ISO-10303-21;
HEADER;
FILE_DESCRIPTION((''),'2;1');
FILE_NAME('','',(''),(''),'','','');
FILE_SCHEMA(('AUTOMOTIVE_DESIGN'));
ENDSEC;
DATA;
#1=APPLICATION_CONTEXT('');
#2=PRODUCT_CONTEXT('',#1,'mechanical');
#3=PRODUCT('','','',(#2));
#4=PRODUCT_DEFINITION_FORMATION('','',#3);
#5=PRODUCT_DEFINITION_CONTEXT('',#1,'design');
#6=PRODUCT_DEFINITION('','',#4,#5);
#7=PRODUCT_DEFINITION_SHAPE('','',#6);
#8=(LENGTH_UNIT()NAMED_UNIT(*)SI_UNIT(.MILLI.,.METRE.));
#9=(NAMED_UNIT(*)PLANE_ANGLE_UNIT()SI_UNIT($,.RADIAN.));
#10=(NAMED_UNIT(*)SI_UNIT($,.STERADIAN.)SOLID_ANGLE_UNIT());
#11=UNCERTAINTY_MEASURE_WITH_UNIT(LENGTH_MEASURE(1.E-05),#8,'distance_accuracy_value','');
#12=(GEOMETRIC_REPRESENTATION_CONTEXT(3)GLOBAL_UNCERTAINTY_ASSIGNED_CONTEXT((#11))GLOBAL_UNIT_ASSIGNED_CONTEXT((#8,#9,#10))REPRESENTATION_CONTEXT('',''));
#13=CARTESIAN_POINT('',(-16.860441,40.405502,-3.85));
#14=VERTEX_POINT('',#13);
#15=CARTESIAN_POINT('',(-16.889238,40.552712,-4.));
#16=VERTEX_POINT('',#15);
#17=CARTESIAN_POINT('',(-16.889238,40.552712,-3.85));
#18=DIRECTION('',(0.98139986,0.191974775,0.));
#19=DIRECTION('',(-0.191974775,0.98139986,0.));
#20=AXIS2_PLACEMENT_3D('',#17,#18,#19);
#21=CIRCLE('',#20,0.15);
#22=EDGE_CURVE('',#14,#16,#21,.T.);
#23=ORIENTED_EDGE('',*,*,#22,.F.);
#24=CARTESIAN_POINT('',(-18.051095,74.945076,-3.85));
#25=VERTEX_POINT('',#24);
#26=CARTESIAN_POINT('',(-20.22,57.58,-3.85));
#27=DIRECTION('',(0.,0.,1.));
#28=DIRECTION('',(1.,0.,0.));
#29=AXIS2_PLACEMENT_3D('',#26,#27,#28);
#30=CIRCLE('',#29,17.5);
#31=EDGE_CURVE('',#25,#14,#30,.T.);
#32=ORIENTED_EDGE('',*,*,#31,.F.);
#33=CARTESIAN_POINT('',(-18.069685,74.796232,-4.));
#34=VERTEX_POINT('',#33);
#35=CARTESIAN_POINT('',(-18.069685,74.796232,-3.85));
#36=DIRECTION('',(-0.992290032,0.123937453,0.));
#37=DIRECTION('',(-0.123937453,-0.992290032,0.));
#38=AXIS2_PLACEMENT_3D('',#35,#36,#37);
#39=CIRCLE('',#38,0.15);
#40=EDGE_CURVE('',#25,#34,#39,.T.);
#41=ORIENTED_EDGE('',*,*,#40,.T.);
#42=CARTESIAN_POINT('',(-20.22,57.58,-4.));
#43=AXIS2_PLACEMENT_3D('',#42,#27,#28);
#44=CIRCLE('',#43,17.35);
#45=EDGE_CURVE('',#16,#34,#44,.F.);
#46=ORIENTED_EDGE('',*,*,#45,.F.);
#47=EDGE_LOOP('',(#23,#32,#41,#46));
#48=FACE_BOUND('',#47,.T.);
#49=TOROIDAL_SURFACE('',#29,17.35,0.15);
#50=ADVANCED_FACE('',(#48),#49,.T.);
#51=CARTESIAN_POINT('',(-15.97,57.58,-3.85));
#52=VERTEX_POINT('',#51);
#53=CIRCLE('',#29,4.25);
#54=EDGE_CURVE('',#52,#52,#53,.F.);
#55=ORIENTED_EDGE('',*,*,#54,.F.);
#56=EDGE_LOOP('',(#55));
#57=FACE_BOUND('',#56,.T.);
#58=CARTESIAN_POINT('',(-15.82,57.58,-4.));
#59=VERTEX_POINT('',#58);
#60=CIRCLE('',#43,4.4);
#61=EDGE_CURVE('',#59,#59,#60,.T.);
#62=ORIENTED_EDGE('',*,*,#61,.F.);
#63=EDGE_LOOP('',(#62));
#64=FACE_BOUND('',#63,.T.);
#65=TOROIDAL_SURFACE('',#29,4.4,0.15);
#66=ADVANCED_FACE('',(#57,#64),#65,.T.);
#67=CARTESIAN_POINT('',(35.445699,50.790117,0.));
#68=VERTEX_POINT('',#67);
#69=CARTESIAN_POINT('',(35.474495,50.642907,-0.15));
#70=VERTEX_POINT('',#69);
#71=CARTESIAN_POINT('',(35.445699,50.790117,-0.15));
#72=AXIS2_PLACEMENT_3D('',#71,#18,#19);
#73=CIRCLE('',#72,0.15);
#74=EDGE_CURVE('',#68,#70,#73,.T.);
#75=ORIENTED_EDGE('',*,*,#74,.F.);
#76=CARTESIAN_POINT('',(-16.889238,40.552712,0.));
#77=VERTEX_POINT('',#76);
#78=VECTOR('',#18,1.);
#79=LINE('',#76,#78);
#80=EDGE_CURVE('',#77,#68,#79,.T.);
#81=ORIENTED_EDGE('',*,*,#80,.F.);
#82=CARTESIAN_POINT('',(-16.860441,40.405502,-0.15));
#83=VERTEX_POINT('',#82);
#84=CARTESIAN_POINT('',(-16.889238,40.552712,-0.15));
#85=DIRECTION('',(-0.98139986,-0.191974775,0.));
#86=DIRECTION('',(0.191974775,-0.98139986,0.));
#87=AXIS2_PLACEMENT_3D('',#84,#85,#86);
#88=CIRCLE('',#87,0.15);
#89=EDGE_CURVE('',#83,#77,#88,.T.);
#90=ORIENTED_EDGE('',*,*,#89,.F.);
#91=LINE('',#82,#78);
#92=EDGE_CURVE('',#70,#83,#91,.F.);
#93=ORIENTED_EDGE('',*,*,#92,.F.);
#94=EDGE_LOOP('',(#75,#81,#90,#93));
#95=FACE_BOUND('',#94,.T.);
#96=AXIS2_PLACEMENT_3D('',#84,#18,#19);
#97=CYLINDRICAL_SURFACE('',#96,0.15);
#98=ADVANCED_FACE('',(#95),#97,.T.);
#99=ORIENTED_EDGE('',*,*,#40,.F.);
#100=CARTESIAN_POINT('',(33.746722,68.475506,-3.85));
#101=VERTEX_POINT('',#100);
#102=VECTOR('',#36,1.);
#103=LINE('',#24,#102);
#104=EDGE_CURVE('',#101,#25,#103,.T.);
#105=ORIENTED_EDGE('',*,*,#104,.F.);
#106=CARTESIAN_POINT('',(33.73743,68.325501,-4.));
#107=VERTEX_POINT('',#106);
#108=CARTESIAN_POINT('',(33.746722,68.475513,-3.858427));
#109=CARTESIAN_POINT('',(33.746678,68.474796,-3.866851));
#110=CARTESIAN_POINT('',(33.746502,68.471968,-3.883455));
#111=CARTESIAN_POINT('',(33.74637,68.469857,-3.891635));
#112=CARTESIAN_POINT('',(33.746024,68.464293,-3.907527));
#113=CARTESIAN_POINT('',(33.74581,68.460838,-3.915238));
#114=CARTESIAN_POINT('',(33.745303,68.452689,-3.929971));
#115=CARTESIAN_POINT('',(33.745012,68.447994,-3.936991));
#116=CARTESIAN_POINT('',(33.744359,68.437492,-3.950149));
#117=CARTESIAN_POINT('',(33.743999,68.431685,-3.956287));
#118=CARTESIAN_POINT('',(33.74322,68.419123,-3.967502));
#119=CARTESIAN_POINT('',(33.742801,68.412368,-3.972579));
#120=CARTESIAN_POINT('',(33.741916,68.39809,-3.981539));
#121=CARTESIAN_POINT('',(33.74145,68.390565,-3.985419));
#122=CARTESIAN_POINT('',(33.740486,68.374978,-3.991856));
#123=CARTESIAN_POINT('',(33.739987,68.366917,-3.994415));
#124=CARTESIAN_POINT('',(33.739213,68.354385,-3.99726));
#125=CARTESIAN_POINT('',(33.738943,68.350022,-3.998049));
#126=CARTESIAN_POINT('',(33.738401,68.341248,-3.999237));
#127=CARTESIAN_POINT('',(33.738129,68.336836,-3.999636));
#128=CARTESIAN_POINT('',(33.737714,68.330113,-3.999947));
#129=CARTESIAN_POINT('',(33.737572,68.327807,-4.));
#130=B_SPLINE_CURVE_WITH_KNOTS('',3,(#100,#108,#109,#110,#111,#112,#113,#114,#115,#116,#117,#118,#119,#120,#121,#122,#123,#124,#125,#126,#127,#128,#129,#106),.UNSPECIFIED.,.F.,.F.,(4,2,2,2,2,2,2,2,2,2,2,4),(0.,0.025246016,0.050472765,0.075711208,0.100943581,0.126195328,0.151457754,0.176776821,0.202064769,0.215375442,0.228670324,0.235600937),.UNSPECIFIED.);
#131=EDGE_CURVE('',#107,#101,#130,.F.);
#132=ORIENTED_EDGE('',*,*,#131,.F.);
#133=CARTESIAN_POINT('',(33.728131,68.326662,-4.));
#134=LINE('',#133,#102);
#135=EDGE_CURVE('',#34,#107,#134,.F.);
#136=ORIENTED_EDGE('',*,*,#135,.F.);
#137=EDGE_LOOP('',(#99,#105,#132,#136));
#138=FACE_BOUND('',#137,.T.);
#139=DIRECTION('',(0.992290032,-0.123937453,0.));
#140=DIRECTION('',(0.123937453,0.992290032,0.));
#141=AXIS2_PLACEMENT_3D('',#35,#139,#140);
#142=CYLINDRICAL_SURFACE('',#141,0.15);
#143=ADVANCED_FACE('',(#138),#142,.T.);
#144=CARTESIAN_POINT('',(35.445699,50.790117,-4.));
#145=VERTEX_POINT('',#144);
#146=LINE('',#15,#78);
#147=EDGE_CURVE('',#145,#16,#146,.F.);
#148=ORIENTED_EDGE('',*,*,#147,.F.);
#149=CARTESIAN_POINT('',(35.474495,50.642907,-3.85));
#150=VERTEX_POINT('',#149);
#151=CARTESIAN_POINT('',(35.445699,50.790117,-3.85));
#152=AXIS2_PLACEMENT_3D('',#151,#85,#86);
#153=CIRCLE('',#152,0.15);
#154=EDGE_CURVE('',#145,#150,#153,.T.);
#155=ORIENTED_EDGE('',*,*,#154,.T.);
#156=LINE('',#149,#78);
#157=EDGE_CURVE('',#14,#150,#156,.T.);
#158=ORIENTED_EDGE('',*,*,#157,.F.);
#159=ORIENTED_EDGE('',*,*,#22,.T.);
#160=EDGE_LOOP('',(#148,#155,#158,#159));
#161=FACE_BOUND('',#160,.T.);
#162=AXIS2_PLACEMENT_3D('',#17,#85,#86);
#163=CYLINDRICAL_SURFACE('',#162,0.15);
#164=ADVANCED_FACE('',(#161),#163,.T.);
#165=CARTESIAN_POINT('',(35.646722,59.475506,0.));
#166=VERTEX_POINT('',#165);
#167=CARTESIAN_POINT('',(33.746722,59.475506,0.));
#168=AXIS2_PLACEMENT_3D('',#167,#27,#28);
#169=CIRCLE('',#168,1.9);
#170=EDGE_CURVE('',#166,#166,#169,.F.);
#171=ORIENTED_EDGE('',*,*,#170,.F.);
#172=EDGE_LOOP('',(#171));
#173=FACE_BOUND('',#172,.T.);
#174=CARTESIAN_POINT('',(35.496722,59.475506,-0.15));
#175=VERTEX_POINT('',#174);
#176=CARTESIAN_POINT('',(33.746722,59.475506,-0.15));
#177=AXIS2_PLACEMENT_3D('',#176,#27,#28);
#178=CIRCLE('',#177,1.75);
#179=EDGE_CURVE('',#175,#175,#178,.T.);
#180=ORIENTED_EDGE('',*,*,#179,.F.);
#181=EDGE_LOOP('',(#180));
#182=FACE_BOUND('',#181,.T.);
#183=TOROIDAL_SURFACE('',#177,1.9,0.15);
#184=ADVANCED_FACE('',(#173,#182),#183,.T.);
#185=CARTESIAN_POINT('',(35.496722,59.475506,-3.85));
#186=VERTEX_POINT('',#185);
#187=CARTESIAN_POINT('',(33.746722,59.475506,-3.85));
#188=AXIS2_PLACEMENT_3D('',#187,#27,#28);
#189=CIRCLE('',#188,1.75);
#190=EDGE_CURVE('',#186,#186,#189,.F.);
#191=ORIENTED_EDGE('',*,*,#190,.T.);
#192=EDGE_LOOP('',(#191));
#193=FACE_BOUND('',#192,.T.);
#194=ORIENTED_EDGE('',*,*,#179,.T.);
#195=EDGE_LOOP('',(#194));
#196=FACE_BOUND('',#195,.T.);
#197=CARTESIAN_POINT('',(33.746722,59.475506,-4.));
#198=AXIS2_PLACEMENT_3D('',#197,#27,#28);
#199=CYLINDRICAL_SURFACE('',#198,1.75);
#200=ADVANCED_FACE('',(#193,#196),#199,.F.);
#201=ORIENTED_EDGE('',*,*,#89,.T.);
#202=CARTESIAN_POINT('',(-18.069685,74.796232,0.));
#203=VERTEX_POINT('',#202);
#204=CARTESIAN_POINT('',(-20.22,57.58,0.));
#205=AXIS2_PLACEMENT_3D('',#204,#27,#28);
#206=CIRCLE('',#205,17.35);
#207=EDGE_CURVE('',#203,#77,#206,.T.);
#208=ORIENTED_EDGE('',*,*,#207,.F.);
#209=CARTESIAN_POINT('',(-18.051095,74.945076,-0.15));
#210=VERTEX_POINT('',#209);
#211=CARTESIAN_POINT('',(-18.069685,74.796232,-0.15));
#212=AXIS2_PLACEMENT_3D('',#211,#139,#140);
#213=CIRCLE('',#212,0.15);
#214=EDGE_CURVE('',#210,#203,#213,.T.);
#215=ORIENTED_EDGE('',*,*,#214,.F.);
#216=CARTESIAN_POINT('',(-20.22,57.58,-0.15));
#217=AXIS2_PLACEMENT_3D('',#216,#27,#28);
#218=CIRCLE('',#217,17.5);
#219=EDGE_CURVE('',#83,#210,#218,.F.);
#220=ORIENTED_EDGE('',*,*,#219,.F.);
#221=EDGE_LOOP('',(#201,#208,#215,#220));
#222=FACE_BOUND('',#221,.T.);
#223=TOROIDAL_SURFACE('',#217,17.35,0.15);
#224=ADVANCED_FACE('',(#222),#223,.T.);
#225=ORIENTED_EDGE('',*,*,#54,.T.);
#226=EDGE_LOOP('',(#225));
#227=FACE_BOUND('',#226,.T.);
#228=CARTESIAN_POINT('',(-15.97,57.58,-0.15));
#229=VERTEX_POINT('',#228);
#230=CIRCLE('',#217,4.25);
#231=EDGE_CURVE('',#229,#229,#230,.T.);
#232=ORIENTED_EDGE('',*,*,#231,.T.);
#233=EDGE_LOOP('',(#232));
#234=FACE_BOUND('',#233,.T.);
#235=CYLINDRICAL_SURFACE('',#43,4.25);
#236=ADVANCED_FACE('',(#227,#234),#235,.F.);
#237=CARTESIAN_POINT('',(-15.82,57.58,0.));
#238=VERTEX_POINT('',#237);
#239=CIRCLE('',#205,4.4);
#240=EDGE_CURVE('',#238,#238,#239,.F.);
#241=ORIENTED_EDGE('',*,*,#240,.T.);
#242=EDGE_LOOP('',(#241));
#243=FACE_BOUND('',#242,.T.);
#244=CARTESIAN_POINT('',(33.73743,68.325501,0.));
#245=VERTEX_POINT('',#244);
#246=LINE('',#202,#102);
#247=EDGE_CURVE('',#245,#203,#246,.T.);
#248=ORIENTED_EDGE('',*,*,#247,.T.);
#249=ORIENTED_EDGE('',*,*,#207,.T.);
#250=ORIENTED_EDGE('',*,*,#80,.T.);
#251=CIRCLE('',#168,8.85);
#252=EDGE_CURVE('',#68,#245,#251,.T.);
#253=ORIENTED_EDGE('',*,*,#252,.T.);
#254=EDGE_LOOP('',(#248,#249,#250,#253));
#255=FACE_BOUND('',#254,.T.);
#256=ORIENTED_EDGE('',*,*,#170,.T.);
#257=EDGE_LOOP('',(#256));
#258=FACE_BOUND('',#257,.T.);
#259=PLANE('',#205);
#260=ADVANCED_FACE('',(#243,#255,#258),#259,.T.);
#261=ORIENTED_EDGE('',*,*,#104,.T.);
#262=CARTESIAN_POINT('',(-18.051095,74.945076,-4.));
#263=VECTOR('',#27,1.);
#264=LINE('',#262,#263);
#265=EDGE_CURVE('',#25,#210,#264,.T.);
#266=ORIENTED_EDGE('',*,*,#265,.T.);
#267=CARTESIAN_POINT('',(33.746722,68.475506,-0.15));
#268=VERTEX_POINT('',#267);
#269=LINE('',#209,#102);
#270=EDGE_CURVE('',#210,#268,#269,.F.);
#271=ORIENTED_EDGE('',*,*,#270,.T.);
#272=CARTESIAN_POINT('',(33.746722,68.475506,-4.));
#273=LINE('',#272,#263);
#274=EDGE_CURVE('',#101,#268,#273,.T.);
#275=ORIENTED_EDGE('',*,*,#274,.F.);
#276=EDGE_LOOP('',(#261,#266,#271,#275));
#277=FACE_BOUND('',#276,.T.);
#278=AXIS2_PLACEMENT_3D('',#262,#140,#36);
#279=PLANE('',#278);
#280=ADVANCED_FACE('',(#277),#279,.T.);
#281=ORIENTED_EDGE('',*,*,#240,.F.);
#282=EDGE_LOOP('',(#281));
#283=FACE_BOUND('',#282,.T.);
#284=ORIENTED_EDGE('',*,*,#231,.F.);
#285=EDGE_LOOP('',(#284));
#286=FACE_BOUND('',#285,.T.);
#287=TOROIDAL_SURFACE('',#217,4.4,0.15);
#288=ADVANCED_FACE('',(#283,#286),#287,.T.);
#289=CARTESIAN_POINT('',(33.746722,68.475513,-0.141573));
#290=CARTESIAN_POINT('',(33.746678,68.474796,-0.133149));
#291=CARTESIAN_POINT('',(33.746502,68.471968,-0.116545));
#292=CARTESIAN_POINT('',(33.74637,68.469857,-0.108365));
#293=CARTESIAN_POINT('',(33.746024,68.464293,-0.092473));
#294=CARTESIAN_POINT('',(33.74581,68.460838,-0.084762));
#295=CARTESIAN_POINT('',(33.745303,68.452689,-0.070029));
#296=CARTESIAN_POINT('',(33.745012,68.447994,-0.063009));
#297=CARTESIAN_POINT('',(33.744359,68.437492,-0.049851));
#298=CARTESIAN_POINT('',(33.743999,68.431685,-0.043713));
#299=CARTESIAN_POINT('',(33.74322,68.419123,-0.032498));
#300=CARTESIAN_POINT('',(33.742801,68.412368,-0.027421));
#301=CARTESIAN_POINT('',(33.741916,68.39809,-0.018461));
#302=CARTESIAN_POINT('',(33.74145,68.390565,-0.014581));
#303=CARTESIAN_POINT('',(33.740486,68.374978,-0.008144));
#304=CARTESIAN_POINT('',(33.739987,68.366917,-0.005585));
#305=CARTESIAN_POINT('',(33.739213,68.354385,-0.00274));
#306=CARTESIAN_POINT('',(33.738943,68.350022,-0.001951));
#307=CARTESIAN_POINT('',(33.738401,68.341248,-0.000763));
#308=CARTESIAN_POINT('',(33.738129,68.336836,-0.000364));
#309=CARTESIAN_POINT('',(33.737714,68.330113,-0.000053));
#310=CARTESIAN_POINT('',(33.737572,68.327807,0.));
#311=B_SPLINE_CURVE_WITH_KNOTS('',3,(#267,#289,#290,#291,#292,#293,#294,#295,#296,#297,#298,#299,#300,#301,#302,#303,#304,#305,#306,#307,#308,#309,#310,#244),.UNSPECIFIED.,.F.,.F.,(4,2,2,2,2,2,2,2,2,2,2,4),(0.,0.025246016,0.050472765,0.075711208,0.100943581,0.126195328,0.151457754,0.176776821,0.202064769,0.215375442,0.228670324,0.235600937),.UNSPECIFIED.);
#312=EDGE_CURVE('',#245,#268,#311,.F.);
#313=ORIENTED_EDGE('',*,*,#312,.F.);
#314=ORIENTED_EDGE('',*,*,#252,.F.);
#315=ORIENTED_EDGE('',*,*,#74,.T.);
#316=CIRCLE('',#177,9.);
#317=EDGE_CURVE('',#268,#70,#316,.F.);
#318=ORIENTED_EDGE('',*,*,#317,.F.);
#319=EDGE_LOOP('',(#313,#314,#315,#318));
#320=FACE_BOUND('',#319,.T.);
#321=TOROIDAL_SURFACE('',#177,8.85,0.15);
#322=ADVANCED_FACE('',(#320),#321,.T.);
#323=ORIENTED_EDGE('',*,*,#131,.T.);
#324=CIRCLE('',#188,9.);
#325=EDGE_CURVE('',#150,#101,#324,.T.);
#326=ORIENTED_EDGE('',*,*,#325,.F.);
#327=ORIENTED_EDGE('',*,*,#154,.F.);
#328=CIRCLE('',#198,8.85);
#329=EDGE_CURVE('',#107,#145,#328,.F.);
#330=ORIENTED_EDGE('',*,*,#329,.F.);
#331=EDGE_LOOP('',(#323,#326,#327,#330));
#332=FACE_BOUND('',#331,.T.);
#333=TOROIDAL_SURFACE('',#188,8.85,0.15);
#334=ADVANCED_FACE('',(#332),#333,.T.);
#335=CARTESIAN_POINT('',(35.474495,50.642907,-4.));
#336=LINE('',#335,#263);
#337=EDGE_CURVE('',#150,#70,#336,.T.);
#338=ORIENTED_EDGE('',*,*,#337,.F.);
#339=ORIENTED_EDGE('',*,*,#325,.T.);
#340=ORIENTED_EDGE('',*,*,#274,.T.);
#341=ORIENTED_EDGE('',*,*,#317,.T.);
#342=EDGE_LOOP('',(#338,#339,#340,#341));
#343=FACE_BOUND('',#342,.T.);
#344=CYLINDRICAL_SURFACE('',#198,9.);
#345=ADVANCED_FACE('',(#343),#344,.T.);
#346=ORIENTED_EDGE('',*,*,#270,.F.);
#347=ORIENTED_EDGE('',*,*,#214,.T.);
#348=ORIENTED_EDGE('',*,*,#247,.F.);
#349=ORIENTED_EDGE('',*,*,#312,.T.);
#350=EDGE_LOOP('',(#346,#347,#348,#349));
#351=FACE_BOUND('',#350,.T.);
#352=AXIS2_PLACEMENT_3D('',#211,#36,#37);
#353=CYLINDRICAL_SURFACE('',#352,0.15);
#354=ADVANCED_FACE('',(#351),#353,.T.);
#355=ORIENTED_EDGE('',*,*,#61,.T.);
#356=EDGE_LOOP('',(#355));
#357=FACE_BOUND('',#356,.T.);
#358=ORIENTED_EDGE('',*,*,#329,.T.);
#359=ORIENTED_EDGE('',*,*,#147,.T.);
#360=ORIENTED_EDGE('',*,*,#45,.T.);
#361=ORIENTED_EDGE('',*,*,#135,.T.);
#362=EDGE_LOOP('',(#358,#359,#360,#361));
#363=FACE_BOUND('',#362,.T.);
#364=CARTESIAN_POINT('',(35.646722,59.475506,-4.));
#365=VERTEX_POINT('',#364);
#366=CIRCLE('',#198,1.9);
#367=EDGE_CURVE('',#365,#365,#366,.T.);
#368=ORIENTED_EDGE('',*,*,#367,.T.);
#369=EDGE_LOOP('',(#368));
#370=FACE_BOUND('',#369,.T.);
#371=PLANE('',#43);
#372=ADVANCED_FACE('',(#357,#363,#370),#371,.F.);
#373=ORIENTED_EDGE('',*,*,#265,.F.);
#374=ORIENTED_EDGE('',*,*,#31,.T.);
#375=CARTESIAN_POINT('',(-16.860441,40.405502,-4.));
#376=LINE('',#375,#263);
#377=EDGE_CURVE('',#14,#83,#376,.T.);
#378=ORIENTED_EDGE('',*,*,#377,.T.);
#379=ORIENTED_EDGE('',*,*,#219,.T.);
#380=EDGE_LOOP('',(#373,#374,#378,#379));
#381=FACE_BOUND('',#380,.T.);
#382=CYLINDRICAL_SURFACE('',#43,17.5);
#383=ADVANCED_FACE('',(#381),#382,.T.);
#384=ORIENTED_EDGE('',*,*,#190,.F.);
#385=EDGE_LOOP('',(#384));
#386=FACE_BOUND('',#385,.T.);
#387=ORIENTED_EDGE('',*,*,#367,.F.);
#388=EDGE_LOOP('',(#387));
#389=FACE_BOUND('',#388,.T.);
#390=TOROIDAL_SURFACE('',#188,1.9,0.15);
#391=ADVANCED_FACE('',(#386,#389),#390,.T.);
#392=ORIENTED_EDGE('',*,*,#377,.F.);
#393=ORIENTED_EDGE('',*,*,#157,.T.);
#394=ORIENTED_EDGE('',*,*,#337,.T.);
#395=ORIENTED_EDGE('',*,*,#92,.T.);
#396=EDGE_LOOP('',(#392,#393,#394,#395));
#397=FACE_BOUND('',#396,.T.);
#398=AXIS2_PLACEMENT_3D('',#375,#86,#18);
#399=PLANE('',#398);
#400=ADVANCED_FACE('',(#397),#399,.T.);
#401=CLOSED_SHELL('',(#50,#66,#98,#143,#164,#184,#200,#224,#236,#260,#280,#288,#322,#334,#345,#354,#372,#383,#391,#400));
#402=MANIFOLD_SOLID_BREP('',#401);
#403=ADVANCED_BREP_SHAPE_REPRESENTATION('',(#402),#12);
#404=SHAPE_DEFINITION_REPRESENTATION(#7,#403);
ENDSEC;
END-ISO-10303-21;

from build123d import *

# Parameters (mm, degrees)
SKETCH_2_R      = 4.25
SKETCH_2_R_2    = 1.75
EXTRUDE_1_DEPTH = 4
FILLET_1_R      = 0.15


with BuildPart() as part:
    # 草图2 → 凸台-拉伸1 (new body)
    with BuildSketch(Plane.XY):
        with BuildLine():
            Line((-18.051094567, 74.945075561), (33.746721757, 68.475505945))
            ThreePointArc((33.746721757, 68.475505945), (42.704773685, 60.343437773), (35.474494733, 50.642907202))
            Line((35.474494733, 50.642907202), (-16.860441437, 40.405502445))
            ThreePointArc((-16.860441437, 40.405502445), (-37.709611382, 56.977095602), (-18.051094567, 74.945075561))
        make_face()
        with Locations((-20.22, 57.58)):
            Circle(SKETCH_2_R, mode=Mode.SUBTRACT)
        with Locations((33.746721757, 59.475505945)):
            Circle(SKETCH_2_R_2, mode=Mode.SUBTRACT)
    extrude(amount=-EXTRUDE_1_DEPTH)

    # 圆角1
    fillet_1_edges = [part.edges().sort_by_distance(p)[0] for p in [
        (-24.47, 57.58, -4),
        (-24.47, 57.58, 0),
        (42.704773685, 60.343437773, -4),
        (31.996721757, 59.475505945, -4),
        (31.996721757, 59.475505945, 0),
        (7.847813595, 71.710290753, -4),
        (-37.709611382, 56.977095602, -4),
        (7.847813595, 71.710290753, 0),
        (42.704773685, 60.343437773, 0),
        (9.307026648, 45.524204824, 0),
        (-37.709611382, 56.977095602, 0),
        (9.307026648, 45.524204824, -4),
    ]]
    fillet(fillet_1_edges, radius=FILLET_1_R)


solid = part.part
